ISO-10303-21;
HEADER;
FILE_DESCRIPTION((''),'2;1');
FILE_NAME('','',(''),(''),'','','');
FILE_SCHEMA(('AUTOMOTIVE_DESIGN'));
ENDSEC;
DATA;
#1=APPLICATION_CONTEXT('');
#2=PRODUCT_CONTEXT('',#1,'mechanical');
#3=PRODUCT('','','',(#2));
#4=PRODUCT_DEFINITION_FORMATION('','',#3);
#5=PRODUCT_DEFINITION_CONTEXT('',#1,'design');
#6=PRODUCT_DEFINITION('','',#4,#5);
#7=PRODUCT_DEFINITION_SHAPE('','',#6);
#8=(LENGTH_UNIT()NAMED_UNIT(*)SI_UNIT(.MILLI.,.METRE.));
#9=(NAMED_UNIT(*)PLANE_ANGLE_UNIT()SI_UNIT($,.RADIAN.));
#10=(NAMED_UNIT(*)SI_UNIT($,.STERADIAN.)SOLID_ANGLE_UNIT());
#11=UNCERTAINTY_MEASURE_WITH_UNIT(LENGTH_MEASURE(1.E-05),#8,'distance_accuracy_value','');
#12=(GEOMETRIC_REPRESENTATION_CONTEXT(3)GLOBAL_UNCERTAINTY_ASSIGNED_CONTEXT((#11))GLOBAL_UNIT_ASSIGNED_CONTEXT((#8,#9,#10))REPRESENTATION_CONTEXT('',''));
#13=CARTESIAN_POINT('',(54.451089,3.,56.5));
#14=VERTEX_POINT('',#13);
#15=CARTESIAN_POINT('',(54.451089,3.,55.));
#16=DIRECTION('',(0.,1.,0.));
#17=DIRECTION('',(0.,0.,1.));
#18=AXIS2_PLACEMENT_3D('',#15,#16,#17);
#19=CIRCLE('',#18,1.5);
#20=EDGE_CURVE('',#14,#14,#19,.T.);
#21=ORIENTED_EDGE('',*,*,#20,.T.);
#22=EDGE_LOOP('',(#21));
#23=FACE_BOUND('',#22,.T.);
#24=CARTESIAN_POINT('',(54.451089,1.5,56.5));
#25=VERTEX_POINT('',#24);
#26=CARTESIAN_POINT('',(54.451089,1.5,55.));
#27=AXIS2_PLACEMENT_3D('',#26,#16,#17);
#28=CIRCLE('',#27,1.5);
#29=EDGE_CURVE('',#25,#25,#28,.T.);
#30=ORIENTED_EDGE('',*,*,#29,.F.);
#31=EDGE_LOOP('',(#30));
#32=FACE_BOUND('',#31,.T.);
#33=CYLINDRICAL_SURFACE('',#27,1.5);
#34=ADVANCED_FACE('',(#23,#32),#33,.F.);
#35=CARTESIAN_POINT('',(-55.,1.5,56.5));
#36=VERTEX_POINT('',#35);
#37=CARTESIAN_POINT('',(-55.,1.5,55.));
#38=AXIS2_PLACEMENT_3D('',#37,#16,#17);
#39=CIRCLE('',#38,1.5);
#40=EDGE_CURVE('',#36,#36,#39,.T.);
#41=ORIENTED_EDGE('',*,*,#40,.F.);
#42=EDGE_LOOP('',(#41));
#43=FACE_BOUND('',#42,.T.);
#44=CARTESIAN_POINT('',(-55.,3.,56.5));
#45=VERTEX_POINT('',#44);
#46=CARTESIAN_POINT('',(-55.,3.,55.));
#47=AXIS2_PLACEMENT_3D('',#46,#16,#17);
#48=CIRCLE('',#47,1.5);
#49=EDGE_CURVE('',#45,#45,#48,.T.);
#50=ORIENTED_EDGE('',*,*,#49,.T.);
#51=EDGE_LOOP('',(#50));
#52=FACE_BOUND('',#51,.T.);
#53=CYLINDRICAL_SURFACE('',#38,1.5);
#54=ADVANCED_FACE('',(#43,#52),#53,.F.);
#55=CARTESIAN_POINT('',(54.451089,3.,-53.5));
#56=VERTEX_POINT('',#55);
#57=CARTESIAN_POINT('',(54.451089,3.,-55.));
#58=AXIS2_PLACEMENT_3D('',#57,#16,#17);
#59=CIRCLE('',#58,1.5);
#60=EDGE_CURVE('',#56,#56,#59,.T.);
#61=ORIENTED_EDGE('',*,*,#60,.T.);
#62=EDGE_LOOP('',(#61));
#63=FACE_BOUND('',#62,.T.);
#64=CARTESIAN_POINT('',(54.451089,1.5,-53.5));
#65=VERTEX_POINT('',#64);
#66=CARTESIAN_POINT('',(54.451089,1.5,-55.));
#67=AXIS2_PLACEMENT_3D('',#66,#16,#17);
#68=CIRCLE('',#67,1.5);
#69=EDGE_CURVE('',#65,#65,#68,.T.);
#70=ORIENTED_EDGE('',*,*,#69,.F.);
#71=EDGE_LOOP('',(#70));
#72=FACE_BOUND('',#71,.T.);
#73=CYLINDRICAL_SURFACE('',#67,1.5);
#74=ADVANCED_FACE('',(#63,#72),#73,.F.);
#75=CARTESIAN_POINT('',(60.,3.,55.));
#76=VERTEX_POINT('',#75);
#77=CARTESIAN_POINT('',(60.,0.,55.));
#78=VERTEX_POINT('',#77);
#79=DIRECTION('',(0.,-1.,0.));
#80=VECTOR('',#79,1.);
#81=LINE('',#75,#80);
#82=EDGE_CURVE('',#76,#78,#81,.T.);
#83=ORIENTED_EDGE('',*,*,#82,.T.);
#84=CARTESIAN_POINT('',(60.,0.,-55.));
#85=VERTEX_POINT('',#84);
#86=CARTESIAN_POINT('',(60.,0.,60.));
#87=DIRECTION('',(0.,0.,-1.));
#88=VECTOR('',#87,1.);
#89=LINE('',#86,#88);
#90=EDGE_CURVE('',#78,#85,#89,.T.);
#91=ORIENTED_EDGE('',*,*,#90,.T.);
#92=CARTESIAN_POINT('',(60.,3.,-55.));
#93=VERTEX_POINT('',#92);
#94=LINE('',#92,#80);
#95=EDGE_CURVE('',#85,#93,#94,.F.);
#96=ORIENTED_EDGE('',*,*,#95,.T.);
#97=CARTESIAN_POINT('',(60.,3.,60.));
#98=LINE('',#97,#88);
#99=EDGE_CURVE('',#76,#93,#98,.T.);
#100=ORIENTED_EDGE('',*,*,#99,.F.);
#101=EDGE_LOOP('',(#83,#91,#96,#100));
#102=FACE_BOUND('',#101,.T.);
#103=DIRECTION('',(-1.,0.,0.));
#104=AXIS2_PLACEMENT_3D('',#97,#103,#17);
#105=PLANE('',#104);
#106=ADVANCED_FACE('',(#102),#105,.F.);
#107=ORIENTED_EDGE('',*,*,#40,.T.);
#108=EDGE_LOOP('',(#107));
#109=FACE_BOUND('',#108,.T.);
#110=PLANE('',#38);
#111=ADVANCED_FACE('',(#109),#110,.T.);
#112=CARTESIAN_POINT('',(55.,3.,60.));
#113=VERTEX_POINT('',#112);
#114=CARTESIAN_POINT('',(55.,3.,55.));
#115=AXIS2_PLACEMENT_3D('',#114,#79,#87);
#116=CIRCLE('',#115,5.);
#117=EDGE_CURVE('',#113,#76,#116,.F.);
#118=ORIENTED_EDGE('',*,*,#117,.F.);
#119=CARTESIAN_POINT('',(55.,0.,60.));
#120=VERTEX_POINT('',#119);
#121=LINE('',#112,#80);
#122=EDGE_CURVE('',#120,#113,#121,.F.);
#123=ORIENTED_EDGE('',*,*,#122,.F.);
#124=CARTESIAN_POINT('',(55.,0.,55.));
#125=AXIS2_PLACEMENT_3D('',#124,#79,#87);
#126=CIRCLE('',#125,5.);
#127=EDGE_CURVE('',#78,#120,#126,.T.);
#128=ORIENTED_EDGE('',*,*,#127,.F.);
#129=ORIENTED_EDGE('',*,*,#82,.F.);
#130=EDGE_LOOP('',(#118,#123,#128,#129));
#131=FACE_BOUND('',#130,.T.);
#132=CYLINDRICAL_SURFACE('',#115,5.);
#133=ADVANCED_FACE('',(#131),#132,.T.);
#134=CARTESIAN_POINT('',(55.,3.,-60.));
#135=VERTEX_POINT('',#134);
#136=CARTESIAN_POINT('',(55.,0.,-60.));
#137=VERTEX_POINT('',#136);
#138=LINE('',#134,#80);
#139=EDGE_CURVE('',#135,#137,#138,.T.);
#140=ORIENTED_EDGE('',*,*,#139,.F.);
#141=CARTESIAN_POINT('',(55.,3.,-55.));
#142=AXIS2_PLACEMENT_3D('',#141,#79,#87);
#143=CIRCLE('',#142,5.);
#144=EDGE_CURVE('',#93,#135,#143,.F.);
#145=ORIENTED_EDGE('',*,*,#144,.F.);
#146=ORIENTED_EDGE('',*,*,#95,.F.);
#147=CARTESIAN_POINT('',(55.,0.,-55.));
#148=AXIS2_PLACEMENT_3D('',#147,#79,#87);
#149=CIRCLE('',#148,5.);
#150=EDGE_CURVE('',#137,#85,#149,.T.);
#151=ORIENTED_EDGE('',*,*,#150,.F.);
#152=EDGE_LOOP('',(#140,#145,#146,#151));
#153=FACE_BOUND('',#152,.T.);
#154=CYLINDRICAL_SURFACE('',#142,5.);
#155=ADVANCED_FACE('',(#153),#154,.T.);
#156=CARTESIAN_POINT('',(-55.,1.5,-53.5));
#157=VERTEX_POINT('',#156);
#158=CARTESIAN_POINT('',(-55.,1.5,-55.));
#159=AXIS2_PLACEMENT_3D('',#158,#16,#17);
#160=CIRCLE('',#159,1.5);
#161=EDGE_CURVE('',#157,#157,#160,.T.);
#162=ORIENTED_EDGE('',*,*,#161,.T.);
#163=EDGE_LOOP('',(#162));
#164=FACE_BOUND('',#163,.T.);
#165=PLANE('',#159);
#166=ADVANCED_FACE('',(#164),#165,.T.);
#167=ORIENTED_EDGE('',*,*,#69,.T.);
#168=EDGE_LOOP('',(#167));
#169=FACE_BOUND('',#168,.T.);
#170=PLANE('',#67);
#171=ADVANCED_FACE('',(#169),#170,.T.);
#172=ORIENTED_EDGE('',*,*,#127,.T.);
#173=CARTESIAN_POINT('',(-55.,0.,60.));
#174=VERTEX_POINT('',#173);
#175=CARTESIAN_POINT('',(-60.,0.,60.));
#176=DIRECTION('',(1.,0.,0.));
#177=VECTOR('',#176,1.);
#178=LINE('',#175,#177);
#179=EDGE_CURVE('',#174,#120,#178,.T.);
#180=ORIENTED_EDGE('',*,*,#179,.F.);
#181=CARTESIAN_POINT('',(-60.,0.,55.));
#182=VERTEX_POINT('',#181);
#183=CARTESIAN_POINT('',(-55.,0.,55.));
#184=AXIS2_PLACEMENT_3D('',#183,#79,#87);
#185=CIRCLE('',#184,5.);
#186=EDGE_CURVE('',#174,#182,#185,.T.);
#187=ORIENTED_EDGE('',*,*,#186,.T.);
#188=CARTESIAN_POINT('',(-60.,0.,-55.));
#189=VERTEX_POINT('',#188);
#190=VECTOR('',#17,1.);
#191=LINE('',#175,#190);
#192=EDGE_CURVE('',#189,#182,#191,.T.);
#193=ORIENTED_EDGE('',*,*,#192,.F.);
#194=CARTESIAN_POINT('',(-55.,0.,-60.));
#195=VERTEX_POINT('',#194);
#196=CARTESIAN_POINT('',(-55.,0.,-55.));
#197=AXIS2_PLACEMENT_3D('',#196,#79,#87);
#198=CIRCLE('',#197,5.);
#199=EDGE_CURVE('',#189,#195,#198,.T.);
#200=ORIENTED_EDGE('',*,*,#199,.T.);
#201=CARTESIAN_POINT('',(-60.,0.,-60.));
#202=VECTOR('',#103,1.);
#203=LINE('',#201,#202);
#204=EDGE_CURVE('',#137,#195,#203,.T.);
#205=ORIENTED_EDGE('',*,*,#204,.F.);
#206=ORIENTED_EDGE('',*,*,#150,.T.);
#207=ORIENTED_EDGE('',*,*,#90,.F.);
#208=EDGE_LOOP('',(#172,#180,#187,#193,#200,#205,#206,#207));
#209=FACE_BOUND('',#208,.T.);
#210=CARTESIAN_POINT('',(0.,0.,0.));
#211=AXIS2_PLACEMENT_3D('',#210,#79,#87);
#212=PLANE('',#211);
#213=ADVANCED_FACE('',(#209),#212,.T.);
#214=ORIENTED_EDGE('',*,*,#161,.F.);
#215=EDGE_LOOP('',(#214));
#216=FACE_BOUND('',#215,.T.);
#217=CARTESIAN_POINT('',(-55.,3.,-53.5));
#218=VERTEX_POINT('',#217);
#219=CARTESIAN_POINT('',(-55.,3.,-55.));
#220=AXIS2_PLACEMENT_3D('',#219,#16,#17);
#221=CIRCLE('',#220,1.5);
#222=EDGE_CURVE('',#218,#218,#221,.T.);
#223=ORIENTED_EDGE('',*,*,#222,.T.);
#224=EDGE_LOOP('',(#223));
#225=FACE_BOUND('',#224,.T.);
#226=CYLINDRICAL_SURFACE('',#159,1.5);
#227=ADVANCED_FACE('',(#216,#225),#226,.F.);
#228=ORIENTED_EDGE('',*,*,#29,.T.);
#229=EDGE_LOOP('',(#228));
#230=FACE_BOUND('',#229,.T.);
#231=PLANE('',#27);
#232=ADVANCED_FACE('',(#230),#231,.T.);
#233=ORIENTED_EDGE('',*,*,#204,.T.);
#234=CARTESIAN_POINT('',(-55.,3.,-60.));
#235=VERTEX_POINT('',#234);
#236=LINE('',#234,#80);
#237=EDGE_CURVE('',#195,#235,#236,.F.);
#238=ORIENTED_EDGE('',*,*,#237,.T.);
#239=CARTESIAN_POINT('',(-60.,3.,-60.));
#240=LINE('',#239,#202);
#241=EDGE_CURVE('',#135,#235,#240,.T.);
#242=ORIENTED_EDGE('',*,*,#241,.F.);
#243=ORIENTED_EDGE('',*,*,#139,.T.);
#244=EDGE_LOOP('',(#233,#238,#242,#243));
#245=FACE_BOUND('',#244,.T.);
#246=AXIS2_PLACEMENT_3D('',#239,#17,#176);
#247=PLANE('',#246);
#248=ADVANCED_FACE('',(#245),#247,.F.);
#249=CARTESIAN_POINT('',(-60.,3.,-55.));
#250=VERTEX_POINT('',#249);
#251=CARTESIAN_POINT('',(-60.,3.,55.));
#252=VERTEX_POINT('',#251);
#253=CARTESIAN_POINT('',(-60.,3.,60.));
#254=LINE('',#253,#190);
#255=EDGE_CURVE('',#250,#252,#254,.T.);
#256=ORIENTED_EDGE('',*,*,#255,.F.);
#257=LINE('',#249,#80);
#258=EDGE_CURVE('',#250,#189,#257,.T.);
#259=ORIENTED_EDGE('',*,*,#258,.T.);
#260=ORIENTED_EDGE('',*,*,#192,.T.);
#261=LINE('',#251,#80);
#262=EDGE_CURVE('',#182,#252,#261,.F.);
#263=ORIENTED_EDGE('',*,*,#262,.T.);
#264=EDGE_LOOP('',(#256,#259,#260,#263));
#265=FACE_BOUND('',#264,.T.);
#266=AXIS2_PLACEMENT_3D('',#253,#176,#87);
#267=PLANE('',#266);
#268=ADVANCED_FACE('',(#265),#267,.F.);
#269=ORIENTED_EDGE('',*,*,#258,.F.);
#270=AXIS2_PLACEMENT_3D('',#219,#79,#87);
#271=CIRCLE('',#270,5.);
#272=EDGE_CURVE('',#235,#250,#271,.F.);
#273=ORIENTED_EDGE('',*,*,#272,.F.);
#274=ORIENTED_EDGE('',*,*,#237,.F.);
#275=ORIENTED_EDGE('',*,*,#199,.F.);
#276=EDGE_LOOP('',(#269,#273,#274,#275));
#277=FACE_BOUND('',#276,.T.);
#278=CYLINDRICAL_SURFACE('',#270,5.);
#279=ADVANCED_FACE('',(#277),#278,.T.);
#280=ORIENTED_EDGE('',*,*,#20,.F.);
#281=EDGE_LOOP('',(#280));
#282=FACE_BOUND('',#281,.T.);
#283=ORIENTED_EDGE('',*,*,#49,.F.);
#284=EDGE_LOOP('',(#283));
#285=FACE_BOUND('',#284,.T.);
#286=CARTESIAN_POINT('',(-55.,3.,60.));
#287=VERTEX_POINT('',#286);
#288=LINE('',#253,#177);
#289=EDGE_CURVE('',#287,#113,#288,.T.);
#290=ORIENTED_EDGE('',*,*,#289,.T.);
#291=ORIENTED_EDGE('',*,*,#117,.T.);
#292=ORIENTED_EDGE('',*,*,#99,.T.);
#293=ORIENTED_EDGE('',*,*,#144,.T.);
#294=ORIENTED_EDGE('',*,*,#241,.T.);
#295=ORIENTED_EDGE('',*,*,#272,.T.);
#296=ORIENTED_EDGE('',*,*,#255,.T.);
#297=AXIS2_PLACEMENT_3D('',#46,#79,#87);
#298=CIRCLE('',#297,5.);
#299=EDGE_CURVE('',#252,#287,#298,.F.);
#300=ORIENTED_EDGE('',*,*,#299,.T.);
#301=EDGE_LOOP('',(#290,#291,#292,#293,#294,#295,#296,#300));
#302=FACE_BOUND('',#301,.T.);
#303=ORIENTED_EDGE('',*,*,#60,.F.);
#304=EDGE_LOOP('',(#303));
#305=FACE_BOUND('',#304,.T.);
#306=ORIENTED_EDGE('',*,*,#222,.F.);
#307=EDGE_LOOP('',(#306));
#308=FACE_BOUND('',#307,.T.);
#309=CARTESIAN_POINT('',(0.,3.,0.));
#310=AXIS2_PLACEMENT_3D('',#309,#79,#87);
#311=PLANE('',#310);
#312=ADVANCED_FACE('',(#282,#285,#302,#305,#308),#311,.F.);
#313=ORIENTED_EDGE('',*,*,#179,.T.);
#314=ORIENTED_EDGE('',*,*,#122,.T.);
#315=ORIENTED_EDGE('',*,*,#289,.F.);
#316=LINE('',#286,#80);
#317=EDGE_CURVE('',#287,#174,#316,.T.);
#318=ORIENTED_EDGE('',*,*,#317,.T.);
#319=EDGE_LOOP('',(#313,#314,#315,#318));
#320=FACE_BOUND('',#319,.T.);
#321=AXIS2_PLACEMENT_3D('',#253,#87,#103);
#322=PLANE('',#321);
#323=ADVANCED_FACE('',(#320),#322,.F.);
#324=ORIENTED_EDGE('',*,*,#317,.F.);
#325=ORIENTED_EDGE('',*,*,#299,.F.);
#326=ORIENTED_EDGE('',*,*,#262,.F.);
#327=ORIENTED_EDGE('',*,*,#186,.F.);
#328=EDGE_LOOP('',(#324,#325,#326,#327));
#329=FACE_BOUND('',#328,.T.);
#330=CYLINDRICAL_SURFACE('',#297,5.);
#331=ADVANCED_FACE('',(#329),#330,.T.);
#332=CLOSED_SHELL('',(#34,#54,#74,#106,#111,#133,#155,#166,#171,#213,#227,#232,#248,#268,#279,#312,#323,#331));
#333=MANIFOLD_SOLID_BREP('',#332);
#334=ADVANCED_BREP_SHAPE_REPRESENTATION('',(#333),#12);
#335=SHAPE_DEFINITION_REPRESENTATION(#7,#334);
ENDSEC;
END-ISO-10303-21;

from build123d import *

# Parameters (mm, degrees)
SKETCH1_W           = 120
SKETCH1_H           = 120
BOSS_EXTRUDE1_DEPTH = 3
FILLET1_R           = 5
SKETCH2_R           = 1.5
CUT_EXTRUDE1_DEPTH  = 1.5


with BuildPart() as part:
    # Sketch1 → Boss-Extrude1 (new body)
    with BuildSketch(Plane(origin=(0, 0, 0), x_dir=(1, 0, 0), z_dir=(0, 1, 0))):
        Rectangle(SKETCH1_W, SKETCH1_H)
    extrude(amount=BOSS_EXTRUDE1_DEPTH)

    # Fillet1
    fillet1_edges = [part.edges().sort_by_distance(p)[0] for p in [
        (60, 1.5, 60),
        (-60, 1.5, 60),
        (-60, 1.5, -60),
        (60, 1.5, -60),
    ]]
    fillet(fillet1_edges, radius=FILLET1_R)

    # Sketch2 → Cut-Extrude1 (cut)
    with BuildSketch(Plane(origin=(0, 3, 0), x_dir=(1, 0, 0), z_dir=(0, 1, 0))):
        with Locations(Location((-55, 55, 0), (0, 0, 270))):
            Circle(SKETCH2_R)
        with Locations(Location((54.451089289, 55, 0), (0, 0, 270))):
            Circle(SKETCH2_R)
        with Locations(Location((-55, -55, 0), (0, 0, 270))):
            Circle(SKETCH2_R)
        with Locations(Location((54.451089289, -55, 0), (0, 0, 270))):
            Circle(SKETCH2_R)
    extrude(amount=-CUT_EXTRUDE1_DEPTH, mode=Mode.SUBTRACT)


solid = part.part
